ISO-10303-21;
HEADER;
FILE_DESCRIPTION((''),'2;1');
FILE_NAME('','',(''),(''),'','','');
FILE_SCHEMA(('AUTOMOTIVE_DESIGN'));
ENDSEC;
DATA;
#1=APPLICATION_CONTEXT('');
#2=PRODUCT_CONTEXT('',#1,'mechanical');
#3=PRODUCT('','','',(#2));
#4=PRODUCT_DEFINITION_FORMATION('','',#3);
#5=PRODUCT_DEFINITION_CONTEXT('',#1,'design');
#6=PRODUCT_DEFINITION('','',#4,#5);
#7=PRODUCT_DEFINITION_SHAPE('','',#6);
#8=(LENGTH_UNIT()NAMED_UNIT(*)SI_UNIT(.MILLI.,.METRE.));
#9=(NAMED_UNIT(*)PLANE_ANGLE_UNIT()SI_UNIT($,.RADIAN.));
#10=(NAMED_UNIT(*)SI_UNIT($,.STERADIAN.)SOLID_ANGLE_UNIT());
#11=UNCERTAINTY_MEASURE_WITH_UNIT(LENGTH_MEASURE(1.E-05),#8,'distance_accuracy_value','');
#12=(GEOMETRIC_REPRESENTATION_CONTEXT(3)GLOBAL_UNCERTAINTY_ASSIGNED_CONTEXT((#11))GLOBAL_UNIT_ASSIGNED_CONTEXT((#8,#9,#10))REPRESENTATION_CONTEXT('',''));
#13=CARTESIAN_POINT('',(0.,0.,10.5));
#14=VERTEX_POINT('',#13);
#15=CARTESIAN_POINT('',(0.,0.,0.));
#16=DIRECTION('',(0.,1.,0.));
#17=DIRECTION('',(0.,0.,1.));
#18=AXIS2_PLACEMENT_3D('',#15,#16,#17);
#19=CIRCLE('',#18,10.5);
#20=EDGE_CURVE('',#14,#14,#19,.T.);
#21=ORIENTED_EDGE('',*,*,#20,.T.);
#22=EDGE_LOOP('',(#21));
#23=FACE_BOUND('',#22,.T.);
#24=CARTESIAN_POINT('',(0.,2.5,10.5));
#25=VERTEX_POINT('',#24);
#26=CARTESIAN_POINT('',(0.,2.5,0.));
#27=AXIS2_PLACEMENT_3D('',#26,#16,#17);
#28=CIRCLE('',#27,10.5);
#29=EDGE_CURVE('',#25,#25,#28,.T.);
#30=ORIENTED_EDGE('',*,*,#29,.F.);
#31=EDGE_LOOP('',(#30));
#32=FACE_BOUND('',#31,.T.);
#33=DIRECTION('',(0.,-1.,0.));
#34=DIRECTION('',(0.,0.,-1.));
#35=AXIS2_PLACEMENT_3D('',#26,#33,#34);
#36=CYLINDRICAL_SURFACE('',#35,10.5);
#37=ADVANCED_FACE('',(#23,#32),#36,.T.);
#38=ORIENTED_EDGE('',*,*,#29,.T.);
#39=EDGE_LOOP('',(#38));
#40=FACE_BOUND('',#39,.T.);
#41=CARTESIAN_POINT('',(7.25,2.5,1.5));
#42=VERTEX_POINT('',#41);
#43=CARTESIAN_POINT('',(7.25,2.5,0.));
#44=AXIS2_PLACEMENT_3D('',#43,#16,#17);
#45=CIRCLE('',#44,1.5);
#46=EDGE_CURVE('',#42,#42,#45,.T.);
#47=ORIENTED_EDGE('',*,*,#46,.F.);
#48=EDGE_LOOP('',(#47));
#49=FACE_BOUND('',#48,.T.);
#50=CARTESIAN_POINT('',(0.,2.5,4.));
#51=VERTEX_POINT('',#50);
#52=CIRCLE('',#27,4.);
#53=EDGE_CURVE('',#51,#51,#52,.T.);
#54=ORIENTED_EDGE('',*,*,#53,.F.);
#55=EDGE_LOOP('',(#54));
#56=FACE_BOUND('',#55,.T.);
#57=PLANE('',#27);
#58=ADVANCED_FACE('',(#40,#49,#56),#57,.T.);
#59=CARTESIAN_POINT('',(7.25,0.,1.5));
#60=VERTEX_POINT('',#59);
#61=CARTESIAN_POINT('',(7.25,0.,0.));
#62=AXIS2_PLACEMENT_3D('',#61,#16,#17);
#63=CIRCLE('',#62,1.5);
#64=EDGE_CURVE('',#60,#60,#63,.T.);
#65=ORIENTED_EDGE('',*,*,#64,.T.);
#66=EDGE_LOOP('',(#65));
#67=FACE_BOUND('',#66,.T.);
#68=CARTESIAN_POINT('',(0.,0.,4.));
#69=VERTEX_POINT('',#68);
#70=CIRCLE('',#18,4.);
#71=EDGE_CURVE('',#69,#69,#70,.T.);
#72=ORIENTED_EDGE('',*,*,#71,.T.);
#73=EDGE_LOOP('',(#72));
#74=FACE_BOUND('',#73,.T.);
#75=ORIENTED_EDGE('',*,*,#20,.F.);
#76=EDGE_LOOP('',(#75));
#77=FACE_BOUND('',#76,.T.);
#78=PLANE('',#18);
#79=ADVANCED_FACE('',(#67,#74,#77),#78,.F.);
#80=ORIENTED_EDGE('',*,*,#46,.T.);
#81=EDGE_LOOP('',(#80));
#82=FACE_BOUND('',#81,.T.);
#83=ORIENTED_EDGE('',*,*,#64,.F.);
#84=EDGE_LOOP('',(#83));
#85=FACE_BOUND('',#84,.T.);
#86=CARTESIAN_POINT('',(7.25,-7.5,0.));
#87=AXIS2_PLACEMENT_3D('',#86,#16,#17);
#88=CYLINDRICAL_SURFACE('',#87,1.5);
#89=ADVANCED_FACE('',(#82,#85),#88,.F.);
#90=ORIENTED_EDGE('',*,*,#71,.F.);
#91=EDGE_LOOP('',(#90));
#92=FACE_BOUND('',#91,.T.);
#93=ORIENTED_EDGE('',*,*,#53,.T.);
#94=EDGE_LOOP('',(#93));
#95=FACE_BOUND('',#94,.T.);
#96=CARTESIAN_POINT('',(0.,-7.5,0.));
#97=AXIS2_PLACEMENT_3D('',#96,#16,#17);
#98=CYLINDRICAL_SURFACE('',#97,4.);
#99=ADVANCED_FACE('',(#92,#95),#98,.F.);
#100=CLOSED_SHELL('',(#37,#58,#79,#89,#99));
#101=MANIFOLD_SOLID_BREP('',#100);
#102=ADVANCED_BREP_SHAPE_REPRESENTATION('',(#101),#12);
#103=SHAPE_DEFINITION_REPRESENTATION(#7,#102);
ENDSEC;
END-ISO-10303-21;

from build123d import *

# Parameters (mm, degrees)
SKETCH1_R           = 10.5
BOSS_EXTRUDE1_DEPTH = 2.5
SKETCH2_R           = 4
SKETCH2_R_2         = 1.5
CUT_EXTRUDE1_DEPTH  = 10


with BuildPart() as part:
    # Sketch1 → Boss-Extrude1 (new body)
    with BuildSketch(Plane(origin=(0, 0, 0), x_dir=(1, 0, 0), z_dir=(0, 1, 0))):
        with Locations(Location((0, 0, 0), (0, 0, 270))):
            Circle(SKETCH1_R)
    extrude(amount=BOSS_EXTRUDE1_DEPTH)

    # Sketch2 → Cut-Extrude1 (cut)
    with BuildSketch(Plane(origin=(0, 2.5, 0), x_dir=(1, 0, 0), z_dir=(0, 1, 0))):
        with Locations(Location((0, 0, 0), (0, 0, 270))):
            Circle(SKETCH2_R)
        with Locations(Location((7.25, 0, 0), (0, 0, 270))):
            Circle(SKETCH2_R_2)
    extrude(amount=-CUT_EXTRUDE1_DEPTH, mode=Mode.SUBTRACT)


solid = part.part
